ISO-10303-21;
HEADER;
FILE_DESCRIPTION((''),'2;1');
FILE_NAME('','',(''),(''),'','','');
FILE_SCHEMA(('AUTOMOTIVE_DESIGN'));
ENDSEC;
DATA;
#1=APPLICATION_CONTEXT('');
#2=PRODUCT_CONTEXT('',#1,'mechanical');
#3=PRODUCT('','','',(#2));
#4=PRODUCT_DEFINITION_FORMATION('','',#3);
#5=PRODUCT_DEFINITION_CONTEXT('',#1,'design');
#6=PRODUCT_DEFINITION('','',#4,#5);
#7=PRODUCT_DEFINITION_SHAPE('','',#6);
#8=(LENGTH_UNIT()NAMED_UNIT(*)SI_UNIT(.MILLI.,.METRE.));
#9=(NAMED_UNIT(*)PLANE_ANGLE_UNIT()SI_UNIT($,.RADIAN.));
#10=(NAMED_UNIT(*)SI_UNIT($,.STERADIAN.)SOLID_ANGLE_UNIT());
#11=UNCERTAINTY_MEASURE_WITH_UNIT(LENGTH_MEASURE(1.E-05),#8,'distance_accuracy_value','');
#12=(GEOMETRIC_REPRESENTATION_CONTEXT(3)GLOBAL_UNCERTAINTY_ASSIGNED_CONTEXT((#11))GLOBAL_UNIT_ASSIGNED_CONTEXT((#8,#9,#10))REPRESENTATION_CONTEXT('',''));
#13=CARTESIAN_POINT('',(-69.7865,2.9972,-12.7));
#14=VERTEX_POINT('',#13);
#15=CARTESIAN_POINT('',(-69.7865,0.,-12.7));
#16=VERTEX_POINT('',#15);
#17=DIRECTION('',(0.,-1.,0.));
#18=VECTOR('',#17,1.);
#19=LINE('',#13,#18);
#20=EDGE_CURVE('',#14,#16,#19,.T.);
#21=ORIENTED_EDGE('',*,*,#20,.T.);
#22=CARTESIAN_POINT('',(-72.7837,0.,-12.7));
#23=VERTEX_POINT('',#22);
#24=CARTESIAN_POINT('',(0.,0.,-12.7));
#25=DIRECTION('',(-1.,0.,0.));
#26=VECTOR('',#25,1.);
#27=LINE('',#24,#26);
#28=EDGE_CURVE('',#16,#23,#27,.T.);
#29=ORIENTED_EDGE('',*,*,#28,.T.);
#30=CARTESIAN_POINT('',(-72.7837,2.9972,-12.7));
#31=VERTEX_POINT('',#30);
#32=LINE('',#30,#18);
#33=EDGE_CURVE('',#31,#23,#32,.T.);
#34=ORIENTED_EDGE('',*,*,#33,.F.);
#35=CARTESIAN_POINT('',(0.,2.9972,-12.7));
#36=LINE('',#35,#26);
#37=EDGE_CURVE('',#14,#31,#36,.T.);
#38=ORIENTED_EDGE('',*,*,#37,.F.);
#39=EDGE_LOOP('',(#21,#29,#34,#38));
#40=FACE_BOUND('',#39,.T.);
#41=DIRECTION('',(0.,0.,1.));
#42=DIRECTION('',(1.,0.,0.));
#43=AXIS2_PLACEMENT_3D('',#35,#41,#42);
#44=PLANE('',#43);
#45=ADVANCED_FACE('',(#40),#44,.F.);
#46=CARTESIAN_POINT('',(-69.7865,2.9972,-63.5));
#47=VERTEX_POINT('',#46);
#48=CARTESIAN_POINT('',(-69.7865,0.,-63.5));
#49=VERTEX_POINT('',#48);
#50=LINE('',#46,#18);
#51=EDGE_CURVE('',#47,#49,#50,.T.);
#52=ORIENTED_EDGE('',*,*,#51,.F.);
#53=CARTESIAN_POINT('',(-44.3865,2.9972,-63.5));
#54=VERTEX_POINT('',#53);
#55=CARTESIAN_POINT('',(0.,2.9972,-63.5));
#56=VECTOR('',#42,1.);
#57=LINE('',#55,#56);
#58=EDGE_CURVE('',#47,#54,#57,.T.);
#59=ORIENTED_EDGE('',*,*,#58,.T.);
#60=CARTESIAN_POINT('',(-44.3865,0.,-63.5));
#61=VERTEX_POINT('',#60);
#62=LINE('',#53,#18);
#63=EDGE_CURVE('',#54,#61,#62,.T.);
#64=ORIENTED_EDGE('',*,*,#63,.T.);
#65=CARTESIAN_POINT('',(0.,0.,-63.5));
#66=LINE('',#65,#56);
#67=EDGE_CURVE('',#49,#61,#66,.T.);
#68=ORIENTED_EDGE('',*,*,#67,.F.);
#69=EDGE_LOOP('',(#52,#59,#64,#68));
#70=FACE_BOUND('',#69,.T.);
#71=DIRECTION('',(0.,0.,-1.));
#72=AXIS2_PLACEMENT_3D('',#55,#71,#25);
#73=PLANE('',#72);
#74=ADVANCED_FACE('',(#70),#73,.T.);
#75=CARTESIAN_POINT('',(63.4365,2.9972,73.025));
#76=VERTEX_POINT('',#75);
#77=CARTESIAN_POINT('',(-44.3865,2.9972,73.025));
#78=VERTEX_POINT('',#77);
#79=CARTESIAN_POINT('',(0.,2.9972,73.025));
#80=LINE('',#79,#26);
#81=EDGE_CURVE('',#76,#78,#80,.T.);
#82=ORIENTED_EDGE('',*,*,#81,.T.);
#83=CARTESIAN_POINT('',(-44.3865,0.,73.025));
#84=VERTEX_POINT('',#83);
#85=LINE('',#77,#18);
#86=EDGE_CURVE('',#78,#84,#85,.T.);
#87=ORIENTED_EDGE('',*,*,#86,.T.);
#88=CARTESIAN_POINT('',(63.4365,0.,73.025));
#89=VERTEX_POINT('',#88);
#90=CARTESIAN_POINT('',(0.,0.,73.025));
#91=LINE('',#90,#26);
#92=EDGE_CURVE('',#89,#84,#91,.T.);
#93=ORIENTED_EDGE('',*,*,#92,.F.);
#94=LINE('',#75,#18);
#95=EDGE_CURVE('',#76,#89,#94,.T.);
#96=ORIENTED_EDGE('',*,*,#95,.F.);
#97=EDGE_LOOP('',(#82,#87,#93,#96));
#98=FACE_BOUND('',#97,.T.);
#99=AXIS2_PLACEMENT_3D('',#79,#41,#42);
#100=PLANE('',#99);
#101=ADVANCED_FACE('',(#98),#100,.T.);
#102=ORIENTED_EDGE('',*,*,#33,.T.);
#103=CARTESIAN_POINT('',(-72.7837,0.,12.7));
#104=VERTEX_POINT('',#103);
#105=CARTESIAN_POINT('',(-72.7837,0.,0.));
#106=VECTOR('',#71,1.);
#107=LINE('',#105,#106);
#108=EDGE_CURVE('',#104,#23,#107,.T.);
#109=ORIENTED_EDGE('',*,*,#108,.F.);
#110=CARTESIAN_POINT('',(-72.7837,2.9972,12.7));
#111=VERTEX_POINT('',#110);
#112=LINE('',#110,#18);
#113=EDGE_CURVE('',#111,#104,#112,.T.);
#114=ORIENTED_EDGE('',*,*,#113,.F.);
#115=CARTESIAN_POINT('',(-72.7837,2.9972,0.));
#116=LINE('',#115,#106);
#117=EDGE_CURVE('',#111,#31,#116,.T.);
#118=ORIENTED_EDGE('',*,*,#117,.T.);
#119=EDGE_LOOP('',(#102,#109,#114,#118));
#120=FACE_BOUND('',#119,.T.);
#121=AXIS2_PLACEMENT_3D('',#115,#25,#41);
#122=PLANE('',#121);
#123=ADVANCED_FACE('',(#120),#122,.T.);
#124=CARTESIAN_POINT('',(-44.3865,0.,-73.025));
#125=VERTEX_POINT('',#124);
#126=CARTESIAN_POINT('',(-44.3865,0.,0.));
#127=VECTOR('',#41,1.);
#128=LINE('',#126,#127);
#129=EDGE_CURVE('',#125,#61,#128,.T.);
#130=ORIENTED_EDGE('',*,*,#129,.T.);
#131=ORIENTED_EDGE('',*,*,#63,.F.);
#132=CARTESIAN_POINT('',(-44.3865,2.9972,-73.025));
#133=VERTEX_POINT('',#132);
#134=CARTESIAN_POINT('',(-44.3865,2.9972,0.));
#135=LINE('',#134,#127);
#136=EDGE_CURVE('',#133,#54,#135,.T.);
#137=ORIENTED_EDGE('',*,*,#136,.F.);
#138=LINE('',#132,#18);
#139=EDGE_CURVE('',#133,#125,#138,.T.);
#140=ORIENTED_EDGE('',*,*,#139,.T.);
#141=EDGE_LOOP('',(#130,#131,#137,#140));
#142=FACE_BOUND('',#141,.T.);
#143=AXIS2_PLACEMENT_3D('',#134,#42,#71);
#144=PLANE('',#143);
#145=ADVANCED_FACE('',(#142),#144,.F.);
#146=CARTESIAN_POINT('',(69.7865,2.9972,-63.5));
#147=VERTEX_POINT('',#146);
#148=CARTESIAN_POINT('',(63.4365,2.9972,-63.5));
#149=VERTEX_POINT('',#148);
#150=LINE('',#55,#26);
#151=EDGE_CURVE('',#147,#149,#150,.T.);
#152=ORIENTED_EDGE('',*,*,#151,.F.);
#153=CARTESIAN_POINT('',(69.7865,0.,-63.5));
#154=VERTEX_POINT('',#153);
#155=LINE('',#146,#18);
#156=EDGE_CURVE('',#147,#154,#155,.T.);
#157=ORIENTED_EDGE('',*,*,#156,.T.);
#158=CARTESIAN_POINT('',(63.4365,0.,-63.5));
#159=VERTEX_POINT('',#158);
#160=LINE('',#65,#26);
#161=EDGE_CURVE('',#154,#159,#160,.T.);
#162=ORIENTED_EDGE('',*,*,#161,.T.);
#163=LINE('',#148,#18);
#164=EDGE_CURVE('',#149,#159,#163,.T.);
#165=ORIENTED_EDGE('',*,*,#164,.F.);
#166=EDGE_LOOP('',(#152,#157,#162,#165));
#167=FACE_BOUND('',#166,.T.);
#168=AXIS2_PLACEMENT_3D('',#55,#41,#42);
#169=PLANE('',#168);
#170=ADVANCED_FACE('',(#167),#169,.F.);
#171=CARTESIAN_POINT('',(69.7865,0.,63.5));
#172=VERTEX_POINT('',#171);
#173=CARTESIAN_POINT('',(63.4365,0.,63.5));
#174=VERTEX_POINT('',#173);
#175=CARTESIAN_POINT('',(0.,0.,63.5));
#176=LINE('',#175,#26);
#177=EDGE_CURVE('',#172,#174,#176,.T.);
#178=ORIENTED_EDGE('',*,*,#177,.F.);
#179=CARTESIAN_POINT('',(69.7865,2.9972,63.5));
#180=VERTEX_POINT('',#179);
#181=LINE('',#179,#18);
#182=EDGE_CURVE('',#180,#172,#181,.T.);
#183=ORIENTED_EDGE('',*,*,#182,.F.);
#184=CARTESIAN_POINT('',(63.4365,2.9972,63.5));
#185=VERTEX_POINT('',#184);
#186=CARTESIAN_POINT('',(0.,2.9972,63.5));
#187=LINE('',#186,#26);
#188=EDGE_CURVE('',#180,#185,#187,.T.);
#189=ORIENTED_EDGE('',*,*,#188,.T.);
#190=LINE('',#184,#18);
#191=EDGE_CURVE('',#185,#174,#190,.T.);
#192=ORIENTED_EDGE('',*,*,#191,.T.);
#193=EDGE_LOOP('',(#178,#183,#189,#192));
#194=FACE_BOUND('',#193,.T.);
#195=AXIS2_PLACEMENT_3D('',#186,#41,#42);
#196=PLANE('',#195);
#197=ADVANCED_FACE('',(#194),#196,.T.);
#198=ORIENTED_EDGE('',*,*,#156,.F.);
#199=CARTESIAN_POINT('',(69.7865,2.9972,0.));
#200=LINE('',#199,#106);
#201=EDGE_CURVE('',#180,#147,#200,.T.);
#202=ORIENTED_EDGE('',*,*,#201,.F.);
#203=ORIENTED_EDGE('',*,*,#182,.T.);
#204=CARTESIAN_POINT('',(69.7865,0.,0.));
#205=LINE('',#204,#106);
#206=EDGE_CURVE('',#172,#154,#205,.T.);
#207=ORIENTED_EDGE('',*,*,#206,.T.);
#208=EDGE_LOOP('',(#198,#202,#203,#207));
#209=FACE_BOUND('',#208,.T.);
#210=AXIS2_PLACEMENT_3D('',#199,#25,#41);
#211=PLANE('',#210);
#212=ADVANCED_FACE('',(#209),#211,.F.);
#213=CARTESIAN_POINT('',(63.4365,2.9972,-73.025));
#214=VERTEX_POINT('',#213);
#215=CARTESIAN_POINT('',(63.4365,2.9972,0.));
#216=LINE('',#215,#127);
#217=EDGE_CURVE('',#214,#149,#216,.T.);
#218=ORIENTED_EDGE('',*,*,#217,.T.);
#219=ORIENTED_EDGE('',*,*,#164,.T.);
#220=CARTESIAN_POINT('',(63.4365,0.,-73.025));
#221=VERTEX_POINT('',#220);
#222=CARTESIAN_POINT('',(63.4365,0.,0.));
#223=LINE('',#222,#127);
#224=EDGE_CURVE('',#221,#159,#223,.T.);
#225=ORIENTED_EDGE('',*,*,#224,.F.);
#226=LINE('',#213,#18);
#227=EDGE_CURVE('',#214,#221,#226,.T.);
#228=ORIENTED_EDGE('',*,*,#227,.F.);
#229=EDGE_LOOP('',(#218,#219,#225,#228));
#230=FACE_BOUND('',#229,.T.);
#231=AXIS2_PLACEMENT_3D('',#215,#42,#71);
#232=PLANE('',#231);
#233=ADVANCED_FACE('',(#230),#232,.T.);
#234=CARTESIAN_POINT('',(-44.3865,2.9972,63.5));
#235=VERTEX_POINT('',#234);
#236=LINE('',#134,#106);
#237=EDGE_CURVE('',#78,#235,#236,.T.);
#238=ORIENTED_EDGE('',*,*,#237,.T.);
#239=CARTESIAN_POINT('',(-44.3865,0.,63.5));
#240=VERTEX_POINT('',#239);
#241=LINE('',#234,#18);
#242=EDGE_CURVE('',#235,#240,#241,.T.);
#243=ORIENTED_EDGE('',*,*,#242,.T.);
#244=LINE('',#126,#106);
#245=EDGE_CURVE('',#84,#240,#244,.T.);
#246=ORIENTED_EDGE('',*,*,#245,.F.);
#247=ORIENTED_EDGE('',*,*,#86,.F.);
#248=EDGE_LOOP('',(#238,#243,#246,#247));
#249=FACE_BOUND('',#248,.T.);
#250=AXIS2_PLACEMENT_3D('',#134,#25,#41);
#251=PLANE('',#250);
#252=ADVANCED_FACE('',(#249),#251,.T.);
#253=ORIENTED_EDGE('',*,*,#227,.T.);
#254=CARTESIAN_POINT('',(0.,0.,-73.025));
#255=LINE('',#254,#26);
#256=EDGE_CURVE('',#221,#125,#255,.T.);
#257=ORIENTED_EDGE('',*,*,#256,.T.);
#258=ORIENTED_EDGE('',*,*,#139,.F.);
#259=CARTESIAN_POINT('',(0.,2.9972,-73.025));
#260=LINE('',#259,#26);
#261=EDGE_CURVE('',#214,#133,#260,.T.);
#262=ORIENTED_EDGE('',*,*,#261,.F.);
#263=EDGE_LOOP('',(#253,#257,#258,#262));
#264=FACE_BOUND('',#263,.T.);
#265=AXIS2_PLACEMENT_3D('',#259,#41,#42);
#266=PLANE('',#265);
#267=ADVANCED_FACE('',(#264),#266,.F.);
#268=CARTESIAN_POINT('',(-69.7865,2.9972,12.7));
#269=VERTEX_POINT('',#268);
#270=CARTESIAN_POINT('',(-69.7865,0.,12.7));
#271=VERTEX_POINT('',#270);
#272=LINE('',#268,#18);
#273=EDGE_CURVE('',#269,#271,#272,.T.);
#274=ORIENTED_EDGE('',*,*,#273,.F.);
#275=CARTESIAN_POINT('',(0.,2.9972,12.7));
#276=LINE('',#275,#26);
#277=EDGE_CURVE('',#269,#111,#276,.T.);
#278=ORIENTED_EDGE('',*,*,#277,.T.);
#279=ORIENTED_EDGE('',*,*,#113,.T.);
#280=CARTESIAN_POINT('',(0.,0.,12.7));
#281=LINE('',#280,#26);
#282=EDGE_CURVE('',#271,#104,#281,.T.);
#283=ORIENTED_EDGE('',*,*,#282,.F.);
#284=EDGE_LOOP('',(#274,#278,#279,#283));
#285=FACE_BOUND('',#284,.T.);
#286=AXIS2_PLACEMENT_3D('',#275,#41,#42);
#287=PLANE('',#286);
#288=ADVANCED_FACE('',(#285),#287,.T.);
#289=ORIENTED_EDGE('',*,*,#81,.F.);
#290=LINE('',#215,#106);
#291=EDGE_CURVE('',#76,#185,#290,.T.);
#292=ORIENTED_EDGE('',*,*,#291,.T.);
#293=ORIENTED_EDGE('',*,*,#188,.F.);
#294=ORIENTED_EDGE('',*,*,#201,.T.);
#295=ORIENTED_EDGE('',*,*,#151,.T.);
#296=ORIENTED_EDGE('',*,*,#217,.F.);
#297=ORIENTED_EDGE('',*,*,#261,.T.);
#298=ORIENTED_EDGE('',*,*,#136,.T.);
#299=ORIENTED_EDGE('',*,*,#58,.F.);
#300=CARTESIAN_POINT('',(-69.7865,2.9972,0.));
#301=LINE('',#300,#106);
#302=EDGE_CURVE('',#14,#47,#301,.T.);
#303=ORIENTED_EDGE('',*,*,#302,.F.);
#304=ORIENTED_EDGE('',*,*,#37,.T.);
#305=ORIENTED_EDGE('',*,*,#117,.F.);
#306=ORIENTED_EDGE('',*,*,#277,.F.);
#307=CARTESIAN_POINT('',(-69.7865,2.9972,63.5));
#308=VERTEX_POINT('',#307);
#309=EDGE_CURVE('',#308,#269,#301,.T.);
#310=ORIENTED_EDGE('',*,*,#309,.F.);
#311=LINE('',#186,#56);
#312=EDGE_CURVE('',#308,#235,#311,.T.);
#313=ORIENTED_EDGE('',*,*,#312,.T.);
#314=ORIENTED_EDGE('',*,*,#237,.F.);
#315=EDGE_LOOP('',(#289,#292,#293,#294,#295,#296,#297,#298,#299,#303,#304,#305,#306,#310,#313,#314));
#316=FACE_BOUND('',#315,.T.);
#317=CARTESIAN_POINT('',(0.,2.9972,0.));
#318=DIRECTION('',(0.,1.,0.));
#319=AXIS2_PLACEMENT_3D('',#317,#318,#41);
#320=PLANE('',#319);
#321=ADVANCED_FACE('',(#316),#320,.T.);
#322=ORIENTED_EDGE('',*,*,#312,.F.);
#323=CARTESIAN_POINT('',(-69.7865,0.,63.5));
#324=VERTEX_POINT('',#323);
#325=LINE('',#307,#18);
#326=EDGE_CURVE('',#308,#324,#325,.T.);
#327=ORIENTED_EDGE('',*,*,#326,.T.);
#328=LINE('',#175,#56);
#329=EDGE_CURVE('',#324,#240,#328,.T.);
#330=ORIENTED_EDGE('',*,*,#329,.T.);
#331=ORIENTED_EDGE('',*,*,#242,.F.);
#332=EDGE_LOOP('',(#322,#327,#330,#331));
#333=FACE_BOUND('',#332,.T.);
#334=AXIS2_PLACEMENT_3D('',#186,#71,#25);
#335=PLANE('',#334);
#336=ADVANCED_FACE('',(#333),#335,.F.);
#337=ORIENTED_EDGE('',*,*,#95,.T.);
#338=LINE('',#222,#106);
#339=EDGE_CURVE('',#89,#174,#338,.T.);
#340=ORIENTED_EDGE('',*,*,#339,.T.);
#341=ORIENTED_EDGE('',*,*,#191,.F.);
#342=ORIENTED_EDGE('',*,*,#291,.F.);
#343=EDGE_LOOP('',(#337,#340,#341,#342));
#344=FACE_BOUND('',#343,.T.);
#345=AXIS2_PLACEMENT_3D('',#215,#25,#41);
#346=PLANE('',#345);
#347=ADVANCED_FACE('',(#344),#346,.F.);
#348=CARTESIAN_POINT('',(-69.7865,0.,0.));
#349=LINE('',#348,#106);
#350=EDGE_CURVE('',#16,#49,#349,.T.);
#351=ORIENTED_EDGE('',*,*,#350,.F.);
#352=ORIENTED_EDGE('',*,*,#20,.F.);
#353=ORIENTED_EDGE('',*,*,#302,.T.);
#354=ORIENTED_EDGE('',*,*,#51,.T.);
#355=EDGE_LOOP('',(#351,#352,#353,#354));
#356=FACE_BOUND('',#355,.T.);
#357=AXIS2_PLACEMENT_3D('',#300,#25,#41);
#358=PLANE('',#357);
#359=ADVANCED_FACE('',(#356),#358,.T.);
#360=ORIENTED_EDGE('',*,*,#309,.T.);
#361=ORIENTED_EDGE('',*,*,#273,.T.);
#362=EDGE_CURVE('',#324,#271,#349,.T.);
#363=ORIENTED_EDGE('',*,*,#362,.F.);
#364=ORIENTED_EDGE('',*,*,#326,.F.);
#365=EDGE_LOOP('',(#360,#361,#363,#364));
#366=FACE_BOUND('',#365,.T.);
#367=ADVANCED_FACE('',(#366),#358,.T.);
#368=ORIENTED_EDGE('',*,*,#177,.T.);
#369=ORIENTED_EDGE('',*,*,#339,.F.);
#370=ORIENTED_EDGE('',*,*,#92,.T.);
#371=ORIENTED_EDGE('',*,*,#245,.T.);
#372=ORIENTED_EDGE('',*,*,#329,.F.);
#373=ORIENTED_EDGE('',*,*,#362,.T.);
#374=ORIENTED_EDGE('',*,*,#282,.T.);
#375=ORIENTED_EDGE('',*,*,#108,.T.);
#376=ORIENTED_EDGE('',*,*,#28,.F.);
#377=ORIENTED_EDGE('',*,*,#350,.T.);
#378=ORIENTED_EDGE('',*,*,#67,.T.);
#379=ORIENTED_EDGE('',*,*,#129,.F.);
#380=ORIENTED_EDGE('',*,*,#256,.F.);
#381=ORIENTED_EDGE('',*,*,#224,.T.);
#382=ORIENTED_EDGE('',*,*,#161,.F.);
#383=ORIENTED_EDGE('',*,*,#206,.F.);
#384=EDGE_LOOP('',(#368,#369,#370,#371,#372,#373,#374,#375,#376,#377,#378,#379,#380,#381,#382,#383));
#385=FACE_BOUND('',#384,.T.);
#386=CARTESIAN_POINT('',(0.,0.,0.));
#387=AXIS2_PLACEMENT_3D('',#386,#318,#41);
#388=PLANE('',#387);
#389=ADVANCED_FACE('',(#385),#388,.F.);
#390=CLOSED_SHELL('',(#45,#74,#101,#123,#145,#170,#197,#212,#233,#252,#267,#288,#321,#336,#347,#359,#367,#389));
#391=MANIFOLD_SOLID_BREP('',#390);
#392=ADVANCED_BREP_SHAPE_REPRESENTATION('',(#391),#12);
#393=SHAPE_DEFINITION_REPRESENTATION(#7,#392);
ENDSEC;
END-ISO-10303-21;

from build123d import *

# Parameters (mm, degrees)
BOSS_EXTRUDE1_DEPTH = 2.9972


with BuildPart() as part:
    # Sketch1 → Boss-Extrude1 (new body)
    with BuildSketch(Plane(origin=(0, 0, 0), x_dir=(1, 0, 0), z_dir=(0, 1, 0))):
        Polygon((-44.3865, -73.025), (63.4365, -73.025), (63.4365, -63.5), (69.7865, -63.5), (69.7865, 63.5), (63.4365, 63.5), (63.4365, 73.025), (-44.3865, 73.025), (-44.3865, 63.5), (-69.7865, 63.5), (-69.7865, 12.7), (-72.7837, 12.7), (-72.7837, -12.7), (-69.7865, -12.7), (-69.7865, -63.5), (-44.3865, -63.5), align=None)
    extrude(amount=BOSS_EXTRUDE1_DEPTH)


solid = part.part
